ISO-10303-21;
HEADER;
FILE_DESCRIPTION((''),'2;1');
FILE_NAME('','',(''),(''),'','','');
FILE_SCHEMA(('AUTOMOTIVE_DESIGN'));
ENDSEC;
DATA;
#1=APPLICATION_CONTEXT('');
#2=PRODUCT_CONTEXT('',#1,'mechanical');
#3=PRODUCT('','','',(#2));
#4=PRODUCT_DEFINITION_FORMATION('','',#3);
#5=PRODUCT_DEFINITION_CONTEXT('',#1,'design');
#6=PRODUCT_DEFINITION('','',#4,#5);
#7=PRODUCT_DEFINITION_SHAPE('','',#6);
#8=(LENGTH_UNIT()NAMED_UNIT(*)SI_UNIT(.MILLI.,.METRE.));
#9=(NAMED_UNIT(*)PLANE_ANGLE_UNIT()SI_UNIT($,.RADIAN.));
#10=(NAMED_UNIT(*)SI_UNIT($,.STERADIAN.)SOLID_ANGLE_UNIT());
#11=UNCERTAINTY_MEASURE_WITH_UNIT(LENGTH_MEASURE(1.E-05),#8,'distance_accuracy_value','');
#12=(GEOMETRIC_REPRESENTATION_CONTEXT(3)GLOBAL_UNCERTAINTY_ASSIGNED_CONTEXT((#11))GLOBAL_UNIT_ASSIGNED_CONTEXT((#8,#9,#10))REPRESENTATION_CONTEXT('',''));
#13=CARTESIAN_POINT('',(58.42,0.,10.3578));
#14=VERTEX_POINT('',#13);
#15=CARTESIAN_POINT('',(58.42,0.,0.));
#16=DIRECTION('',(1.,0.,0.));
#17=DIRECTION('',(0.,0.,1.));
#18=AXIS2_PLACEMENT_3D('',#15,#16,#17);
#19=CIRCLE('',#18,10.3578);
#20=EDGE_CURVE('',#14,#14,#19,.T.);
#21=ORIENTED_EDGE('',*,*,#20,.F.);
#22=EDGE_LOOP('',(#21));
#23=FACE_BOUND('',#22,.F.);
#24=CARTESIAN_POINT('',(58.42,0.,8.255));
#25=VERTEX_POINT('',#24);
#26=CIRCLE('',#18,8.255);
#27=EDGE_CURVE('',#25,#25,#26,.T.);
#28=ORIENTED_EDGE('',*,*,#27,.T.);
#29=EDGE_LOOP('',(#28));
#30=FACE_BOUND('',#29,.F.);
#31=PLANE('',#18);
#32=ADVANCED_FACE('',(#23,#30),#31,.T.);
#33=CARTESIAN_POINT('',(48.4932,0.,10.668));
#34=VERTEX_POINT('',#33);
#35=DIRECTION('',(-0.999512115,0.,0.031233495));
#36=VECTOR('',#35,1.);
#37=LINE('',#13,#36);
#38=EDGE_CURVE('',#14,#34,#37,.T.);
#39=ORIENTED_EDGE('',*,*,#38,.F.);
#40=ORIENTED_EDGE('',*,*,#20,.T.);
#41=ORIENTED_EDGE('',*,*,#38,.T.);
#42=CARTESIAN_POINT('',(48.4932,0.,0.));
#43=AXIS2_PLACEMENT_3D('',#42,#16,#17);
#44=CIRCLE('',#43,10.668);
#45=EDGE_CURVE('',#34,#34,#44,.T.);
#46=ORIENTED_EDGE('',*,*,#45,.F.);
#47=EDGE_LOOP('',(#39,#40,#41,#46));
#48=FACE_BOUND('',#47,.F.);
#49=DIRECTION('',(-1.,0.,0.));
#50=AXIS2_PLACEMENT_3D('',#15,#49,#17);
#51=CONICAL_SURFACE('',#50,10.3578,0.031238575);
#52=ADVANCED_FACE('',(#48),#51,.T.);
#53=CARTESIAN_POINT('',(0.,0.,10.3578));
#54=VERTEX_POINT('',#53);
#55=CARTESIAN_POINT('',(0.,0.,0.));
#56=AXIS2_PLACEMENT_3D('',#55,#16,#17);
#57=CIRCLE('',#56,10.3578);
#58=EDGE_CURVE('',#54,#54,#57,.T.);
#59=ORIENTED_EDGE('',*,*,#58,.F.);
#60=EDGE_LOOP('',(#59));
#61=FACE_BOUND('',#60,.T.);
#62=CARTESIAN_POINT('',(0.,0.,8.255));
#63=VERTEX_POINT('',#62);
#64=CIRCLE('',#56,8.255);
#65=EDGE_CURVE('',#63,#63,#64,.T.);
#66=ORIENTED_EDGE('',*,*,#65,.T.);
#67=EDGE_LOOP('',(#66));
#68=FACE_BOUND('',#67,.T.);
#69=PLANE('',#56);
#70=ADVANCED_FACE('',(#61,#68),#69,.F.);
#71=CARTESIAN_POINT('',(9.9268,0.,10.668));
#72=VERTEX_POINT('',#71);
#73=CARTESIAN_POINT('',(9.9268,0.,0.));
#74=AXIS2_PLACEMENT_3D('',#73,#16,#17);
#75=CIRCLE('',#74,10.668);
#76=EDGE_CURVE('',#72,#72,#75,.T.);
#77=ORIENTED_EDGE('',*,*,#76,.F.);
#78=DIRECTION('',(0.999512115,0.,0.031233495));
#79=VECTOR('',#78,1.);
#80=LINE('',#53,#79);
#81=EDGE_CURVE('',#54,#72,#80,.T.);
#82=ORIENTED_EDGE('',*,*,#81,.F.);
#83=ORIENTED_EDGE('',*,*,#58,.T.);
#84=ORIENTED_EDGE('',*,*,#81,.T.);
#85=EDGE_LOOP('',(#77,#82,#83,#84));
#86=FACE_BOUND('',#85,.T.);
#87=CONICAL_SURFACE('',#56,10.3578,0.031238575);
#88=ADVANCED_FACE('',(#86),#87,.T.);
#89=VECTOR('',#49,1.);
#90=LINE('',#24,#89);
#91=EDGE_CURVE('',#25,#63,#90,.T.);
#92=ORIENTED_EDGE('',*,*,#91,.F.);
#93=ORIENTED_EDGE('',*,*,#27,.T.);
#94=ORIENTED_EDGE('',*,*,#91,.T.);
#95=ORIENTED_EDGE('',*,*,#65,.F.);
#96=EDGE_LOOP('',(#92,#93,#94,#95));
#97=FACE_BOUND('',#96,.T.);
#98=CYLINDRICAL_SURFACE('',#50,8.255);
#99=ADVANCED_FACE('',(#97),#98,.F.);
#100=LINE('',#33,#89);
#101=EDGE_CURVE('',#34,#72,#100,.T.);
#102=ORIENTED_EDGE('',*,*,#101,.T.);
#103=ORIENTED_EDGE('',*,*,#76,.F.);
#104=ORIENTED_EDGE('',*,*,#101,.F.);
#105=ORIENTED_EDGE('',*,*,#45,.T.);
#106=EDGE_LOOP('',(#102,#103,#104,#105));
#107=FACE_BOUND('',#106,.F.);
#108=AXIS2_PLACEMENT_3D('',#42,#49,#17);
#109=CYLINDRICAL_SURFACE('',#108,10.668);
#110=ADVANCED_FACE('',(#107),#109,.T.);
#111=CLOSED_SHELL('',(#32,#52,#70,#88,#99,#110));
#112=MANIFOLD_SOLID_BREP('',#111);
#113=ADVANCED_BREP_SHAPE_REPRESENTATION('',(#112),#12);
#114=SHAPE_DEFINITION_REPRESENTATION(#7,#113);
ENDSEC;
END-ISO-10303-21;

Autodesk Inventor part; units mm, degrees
ref_plane "YZ Plane" through (0, 0, 0) normal (1, 0, 0) x (0, 1, 0)
ref_plane "XZ Plane" through (0, 0, 0) normal (0, 1, 0) x (-1, 0, 0)
ref_plane "XY Plane" through (0, 0, 0) normal (0, 0, 1) x (1, 0, 0)
sketch "Sketch1" plane through (0, 0, 0) normal (0, 1, 0) x (-1, 0, 0)
  line L0 (0, 0) -> (-58.42, 0)
  line L1 (-58.42, 0) -> (-58.42, 8.255) construction
  line L2 (-58.42, 8.255) -> (-58.42, 10.3578)
  line L3 (-58.42, 10.3578) -> (-48.4932, 10.668)
  line L4 (-48.4932, 10.668) -> (-9.9268, 10.668)
  line L5 (-29.21, 0) -> (-29.21, 10.668) construction
  line L6 (-58.42, 8.255) -> (0, 8.255)
  line L7 (0, 0) -> (0, 8.255) construction
  line L8 (0, 8.255) -> (0, 10.3578)
  line L9 (0, 10.3578) -> (-9.9268, 10.668)
  line L10 (-44.864, 10.7814) -> (-44.864, 0) construction
  line L11 (-13.556, 10.7814) -> (-13.556, 0) construction
  line L12 (-48.4932, 10.668) -> (-44.864, 10.7814) construction
  line L13 (-48.4932, 10.668) -> (-48.4932, 0) construction
  line L14 (-9.9268, 10.668) -> (-13.556, 10.7814) construction
  line L15 (-9.9268, 10.668) -> (-9.9268, 0) construction
  dimension "d0" = 21.336
  dimension "d1" = 1.79
  dimension "d2" = 16.51
  dimension "d3" = 58.42
  dimension "d4" = 13.556
  dimension "d5" = 21.5628
revolve "Revolution1" add sketch "Sketch1" angle 360 about axis through (0, 0, 0) along (1, 0, 0)
thread "Thread1" size "1/2" designation "1/2 - 14 NPT" standard "NPT" full length
thread "Thread2" size "1/2" designation "1/2 - 14 NPT" standard "NPT" full length
equation "\"d0\" = OD"
equation "\"d2\" = ID"
equation "\"d3\" = L"
equation "\"d4\" = L2"
equation "\"d5\" = D2"
equation "\"OD\" = 21.336"
equation "\"t\" = 2.413"
equation "\"L\" = PL"
equation "\"L4\" = 19.8501"
equation "\"ID\" = 16.51"
equation "\"PL\" = 58.42"
equation "\"D2\" = 21.56282"
equation "\"L2\" = 13.55598"
equation "\"Size_Designation\" = 1.2345"
equation "\"PLmin\" = 2 * L2"
properties material "Steel, Wrought"
